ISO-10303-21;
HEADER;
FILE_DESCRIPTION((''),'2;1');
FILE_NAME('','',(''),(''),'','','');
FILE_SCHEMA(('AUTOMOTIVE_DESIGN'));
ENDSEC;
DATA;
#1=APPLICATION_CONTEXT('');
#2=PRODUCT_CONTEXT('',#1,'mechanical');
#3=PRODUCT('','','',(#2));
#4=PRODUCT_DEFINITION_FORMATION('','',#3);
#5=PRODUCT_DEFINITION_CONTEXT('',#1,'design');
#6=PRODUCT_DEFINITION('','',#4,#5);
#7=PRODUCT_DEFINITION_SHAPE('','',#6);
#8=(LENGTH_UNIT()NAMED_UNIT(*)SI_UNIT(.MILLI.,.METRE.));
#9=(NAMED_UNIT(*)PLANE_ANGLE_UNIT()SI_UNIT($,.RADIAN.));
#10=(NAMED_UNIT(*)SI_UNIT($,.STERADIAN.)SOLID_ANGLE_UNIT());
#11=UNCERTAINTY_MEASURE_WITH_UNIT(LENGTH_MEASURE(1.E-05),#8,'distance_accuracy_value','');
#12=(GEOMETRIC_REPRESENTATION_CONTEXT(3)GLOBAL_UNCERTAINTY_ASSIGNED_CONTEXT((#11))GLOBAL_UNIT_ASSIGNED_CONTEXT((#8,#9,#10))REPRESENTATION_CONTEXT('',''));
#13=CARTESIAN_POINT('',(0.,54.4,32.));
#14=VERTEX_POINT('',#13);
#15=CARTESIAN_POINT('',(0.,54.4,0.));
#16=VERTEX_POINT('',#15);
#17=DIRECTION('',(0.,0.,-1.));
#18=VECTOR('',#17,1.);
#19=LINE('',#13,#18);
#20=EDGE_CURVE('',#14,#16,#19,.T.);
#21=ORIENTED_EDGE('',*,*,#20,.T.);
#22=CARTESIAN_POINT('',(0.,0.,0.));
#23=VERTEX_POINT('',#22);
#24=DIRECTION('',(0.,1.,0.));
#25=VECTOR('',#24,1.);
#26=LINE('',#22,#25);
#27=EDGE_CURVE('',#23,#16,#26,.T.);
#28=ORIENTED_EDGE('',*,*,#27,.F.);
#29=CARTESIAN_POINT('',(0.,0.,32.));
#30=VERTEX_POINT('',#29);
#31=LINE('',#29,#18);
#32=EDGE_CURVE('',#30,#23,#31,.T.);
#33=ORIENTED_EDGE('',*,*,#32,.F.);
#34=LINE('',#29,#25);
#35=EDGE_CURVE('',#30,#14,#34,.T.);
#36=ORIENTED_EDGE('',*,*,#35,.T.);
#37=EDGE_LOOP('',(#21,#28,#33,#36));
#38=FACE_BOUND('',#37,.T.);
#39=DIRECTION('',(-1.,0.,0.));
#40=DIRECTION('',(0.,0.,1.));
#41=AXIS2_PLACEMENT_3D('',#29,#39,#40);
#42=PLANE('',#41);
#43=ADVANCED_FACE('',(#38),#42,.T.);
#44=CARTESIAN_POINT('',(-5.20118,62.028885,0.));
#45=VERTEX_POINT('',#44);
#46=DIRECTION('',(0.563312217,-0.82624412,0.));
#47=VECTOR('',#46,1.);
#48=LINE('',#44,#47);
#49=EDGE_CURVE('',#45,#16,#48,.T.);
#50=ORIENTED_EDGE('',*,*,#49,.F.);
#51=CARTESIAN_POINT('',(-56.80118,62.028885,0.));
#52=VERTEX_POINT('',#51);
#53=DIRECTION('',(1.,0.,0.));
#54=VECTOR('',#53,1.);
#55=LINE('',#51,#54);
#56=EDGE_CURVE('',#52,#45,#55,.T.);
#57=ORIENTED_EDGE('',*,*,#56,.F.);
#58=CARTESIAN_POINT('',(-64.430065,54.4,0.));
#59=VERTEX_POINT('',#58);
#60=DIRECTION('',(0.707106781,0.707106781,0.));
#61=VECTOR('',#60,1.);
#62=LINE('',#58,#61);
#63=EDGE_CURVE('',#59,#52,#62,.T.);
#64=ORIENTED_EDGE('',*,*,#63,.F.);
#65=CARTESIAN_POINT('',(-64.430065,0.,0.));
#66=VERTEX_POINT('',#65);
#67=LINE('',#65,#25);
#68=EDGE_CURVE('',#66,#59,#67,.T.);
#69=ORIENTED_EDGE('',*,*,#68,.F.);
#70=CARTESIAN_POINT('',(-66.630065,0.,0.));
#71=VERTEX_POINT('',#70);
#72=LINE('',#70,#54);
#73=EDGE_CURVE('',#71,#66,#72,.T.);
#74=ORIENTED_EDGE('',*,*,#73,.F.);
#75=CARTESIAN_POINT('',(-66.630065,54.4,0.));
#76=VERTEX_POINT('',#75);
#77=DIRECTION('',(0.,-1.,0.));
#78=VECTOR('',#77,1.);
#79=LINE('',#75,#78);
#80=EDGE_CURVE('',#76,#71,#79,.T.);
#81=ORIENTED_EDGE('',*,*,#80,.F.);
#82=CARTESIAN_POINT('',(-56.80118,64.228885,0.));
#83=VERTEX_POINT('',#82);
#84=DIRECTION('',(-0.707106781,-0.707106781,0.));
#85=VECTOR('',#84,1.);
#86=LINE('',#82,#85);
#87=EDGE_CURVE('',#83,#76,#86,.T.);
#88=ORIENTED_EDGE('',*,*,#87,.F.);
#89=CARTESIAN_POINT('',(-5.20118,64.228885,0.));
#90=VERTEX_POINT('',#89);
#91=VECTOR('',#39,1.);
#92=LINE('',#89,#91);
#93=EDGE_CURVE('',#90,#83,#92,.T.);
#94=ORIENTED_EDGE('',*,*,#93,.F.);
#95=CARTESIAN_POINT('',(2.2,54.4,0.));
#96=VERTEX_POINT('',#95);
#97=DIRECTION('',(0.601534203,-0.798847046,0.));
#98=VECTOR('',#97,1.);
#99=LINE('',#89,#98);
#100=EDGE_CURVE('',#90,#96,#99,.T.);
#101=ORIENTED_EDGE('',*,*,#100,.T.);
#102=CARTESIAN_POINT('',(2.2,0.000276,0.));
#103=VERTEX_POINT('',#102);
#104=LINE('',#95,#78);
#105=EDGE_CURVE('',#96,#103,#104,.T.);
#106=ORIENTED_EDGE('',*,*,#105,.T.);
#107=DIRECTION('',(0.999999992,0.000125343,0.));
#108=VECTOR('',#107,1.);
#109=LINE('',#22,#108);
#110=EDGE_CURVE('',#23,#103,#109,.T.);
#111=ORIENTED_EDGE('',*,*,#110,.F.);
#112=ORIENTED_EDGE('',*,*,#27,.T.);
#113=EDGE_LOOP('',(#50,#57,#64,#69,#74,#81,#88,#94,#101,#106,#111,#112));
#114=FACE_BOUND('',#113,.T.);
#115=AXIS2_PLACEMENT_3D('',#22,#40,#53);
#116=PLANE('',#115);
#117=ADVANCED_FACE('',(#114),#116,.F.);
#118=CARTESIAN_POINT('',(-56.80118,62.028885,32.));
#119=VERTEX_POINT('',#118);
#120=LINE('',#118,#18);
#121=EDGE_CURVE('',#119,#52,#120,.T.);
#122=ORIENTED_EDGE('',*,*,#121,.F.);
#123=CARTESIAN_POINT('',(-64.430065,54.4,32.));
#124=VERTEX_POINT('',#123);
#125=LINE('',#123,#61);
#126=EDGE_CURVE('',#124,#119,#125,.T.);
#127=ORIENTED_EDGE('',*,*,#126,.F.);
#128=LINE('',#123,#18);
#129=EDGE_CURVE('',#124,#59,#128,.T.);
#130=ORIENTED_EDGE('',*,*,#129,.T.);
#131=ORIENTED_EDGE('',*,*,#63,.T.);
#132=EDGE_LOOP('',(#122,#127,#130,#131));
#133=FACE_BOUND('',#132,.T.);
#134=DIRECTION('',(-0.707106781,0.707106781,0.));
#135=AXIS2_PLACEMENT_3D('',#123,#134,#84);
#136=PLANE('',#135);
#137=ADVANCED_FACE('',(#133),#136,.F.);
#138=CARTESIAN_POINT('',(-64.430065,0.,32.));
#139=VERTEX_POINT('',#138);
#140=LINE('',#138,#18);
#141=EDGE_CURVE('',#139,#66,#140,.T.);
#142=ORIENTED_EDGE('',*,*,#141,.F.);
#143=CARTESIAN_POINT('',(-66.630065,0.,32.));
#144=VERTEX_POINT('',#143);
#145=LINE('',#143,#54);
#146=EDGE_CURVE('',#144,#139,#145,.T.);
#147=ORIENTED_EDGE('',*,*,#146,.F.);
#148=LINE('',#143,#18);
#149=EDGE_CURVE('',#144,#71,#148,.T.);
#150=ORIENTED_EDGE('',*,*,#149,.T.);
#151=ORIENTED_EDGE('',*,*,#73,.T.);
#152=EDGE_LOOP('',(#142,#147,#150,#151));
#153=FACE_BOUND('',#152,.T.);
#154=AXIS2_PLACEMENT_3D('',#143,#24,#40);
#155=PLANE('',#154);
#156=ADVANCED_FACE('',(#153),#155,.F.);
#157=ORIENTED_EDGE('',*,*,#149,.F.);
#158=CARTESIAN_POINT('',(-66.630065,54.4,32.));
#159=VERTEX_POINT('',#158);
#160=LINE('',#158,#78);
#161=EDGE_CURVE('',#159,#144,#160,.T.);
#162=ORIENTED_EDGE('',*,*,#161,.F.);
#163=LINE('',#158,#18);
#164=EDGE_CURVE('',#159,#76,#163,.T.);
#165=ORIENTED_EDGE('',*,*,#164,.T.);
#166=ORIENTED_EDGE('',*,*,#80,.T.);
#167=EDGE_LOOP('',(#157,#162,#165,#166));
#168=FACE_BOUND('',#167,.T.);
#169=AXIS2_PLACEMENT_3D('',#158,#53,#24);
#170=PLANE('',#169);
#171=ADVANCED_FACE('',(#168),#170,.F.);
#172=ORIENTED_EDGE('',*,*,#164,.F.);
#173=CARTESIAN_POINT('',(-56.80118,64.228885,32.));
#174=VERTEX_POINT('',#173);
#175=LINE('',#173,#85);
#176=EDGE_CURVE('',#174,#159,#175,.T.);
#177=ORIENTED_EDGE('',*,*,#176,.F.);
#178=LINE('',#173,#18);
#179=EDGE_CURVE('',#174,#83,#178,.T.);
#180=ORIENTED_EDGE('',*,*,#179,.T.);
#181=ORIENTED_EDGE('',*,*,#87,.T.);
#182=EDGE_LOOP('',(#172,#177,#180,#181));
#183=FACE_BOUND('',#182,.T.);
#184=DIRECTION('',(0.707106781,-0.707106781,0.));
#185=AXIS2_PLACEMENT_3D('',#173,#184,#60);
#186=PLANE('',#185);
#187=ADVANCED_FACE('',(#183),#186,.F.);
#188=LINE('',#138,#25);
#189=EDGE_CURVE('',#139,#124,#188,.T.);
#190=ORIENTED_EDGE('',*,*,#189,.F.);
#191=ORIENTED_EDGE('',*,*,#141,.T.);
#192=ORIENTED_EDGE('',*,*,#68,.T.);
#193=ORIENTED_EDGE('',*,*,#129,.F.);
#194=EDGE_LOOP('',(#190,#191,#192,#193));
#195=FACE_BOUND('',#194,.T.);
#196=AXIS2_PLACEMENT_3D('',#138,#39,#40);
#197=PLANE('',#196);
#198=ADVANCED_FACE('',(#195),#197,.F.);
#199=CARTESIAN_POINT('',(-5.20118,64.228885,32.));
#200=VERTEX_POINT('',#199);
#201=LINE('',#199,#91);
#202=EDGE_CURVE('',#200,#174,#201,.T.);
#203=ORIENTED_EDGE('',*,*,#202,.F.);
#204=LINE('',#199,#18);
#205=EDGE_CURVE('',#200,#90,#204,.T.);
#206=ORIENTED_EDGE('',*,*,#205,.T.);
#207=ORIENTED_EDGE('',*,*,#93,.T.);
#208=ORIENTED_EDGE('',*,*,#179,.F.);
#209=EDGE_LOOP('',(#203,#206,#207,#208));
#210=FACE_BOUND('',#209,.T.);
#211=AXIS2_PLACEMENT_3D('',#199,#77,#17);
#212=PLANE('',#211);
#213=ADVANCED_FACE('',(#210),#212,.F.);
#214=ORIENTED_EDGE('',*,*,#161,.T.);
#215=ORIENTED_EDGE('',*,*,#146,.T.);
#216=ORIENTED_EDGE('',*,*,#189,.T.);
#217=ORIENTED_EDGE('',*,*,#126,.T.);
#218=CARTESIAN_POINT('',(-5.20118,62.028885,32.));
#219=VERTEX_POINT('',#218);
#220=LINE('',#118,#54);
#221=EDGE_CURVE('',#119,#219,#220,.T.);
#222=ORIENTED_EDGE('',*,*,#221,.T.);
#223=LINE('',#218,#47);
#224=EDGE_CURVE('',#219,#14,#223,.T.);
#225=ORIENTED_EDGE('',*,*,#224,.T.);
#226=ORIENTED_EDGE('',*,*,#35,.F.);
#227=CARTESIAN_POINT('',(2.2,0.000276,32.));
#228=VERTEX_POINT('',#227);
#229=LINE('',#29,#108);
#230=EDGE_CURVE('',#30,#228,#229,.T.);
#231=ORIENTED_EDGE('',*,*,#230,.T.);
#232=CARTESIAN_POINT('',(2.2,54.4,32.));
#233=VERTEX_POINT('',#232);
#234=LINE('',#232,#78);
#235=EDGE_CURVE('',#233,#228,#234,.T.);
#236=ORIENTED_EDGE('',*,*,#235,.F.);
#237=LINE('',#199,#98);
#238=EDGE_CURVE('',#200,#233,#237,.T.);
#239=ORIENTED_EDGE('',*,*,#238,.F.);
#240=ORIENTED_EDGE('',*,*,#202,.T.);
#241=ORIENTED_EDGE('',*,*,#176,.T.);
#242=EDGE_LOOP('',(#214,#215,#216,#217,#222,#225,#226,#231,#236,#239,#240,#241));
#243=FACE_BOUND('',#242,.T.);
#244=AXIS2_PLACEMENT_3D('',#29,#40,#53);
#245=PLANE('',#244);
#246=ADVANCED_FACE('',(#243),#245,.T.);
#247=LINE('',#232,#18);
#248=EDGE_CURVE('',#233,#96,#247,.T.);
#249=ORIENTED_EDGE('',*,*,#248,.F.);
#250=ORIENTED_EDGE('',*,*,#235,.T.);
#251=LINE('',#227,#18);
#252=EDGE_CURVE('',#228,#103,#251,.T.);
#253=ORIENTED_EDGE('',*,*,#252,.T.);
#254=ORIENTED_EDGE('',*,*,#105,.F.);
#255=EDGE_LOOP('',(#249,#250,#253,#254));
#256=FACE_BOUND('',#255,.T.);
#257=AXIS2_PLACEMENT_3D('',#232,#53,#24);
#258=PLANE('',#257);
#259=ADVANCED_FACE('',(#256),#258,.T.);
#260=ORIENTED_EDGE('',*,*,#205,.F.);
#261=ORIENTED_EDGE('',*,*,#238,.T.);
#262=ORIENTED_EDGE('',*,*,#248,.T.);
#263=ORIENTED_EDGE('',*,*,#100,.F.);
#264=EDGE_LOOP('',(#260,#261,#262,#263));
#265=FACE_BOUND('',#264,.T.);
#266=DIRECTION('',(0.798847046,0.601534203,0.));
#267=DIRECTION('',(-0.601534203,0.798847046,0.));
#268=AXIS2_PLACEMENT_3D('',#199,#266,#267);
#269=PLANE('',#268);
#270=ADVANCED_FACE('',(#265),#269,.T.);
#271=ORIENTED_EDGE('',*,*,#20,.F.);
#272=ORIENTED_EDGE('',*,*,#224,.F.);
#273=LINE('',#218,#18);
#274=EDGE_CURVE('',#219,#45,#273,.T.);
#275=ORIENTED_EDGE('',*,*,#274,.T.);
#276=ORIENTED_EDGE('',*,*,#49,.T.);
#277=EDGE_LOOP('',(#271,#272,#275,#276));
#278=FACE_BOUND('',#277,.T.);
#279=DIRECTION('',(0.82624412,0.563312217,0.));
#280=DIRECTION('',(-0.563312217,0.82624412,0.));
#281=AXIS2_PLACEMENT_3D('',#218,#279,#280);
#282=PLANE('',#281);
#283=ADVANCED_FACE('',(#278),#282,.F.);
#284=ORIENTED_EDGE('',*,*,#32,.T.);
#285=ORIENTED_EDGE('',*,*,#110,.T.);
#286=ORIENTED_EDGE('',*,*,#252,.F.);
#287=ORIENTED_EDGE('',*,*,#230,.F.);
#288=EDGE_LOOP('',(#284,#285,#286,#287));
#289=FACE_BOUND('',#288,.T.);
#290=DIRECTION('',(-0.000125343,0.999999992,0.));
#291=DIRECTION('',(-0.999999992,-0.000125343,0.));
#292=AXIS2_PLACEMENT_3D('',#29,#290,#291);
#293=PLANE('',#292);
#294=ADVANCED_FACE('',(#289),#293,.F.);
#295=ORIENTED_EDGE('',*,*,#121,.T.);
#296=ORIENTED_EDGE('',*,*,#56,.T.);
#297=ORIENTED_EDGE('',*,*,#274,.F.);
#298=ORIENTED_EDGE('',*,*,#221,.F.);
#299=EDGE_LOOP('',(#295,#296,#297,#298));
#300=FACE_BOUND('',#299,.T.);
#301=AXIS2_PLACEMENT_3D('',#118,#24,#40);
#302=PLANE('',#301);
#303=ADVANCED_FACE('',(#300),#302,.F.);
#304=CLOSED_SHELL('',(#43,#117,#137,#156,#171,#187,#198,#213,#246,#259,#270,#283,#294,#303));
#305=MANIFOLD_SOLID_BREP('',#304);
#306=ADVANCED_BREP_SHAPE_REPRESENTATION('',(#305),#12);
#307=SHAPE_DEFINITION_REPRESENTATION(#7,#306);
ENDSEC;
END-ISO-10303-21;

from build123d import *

# Parameters (mm, degrees)
BOSS_EXTRUDE1_DEPTH = 32


with BuildPart() as part:
    # Sketch1 → Boss-Extrude1 (new body)
    with BuildSketch(Plane.XY):
        Polygon((0, 0), (0, 54.4), (-5.201179862, 62.028885271), (-56.801179862, 62.028885271), (-64.430065133, 54.4), (-64.430065133, 0), (-66.630065133, 0), (-66.630065133, 54.4), (-56.801179862, 64.228885271), (-5.201179862, 64.228885271), (2.2, 54.4), (2.2, 0.000275755), align=None)
    extrude(amount=BOSS_EXTRUDE1_DEPTH)


solid = part.part
